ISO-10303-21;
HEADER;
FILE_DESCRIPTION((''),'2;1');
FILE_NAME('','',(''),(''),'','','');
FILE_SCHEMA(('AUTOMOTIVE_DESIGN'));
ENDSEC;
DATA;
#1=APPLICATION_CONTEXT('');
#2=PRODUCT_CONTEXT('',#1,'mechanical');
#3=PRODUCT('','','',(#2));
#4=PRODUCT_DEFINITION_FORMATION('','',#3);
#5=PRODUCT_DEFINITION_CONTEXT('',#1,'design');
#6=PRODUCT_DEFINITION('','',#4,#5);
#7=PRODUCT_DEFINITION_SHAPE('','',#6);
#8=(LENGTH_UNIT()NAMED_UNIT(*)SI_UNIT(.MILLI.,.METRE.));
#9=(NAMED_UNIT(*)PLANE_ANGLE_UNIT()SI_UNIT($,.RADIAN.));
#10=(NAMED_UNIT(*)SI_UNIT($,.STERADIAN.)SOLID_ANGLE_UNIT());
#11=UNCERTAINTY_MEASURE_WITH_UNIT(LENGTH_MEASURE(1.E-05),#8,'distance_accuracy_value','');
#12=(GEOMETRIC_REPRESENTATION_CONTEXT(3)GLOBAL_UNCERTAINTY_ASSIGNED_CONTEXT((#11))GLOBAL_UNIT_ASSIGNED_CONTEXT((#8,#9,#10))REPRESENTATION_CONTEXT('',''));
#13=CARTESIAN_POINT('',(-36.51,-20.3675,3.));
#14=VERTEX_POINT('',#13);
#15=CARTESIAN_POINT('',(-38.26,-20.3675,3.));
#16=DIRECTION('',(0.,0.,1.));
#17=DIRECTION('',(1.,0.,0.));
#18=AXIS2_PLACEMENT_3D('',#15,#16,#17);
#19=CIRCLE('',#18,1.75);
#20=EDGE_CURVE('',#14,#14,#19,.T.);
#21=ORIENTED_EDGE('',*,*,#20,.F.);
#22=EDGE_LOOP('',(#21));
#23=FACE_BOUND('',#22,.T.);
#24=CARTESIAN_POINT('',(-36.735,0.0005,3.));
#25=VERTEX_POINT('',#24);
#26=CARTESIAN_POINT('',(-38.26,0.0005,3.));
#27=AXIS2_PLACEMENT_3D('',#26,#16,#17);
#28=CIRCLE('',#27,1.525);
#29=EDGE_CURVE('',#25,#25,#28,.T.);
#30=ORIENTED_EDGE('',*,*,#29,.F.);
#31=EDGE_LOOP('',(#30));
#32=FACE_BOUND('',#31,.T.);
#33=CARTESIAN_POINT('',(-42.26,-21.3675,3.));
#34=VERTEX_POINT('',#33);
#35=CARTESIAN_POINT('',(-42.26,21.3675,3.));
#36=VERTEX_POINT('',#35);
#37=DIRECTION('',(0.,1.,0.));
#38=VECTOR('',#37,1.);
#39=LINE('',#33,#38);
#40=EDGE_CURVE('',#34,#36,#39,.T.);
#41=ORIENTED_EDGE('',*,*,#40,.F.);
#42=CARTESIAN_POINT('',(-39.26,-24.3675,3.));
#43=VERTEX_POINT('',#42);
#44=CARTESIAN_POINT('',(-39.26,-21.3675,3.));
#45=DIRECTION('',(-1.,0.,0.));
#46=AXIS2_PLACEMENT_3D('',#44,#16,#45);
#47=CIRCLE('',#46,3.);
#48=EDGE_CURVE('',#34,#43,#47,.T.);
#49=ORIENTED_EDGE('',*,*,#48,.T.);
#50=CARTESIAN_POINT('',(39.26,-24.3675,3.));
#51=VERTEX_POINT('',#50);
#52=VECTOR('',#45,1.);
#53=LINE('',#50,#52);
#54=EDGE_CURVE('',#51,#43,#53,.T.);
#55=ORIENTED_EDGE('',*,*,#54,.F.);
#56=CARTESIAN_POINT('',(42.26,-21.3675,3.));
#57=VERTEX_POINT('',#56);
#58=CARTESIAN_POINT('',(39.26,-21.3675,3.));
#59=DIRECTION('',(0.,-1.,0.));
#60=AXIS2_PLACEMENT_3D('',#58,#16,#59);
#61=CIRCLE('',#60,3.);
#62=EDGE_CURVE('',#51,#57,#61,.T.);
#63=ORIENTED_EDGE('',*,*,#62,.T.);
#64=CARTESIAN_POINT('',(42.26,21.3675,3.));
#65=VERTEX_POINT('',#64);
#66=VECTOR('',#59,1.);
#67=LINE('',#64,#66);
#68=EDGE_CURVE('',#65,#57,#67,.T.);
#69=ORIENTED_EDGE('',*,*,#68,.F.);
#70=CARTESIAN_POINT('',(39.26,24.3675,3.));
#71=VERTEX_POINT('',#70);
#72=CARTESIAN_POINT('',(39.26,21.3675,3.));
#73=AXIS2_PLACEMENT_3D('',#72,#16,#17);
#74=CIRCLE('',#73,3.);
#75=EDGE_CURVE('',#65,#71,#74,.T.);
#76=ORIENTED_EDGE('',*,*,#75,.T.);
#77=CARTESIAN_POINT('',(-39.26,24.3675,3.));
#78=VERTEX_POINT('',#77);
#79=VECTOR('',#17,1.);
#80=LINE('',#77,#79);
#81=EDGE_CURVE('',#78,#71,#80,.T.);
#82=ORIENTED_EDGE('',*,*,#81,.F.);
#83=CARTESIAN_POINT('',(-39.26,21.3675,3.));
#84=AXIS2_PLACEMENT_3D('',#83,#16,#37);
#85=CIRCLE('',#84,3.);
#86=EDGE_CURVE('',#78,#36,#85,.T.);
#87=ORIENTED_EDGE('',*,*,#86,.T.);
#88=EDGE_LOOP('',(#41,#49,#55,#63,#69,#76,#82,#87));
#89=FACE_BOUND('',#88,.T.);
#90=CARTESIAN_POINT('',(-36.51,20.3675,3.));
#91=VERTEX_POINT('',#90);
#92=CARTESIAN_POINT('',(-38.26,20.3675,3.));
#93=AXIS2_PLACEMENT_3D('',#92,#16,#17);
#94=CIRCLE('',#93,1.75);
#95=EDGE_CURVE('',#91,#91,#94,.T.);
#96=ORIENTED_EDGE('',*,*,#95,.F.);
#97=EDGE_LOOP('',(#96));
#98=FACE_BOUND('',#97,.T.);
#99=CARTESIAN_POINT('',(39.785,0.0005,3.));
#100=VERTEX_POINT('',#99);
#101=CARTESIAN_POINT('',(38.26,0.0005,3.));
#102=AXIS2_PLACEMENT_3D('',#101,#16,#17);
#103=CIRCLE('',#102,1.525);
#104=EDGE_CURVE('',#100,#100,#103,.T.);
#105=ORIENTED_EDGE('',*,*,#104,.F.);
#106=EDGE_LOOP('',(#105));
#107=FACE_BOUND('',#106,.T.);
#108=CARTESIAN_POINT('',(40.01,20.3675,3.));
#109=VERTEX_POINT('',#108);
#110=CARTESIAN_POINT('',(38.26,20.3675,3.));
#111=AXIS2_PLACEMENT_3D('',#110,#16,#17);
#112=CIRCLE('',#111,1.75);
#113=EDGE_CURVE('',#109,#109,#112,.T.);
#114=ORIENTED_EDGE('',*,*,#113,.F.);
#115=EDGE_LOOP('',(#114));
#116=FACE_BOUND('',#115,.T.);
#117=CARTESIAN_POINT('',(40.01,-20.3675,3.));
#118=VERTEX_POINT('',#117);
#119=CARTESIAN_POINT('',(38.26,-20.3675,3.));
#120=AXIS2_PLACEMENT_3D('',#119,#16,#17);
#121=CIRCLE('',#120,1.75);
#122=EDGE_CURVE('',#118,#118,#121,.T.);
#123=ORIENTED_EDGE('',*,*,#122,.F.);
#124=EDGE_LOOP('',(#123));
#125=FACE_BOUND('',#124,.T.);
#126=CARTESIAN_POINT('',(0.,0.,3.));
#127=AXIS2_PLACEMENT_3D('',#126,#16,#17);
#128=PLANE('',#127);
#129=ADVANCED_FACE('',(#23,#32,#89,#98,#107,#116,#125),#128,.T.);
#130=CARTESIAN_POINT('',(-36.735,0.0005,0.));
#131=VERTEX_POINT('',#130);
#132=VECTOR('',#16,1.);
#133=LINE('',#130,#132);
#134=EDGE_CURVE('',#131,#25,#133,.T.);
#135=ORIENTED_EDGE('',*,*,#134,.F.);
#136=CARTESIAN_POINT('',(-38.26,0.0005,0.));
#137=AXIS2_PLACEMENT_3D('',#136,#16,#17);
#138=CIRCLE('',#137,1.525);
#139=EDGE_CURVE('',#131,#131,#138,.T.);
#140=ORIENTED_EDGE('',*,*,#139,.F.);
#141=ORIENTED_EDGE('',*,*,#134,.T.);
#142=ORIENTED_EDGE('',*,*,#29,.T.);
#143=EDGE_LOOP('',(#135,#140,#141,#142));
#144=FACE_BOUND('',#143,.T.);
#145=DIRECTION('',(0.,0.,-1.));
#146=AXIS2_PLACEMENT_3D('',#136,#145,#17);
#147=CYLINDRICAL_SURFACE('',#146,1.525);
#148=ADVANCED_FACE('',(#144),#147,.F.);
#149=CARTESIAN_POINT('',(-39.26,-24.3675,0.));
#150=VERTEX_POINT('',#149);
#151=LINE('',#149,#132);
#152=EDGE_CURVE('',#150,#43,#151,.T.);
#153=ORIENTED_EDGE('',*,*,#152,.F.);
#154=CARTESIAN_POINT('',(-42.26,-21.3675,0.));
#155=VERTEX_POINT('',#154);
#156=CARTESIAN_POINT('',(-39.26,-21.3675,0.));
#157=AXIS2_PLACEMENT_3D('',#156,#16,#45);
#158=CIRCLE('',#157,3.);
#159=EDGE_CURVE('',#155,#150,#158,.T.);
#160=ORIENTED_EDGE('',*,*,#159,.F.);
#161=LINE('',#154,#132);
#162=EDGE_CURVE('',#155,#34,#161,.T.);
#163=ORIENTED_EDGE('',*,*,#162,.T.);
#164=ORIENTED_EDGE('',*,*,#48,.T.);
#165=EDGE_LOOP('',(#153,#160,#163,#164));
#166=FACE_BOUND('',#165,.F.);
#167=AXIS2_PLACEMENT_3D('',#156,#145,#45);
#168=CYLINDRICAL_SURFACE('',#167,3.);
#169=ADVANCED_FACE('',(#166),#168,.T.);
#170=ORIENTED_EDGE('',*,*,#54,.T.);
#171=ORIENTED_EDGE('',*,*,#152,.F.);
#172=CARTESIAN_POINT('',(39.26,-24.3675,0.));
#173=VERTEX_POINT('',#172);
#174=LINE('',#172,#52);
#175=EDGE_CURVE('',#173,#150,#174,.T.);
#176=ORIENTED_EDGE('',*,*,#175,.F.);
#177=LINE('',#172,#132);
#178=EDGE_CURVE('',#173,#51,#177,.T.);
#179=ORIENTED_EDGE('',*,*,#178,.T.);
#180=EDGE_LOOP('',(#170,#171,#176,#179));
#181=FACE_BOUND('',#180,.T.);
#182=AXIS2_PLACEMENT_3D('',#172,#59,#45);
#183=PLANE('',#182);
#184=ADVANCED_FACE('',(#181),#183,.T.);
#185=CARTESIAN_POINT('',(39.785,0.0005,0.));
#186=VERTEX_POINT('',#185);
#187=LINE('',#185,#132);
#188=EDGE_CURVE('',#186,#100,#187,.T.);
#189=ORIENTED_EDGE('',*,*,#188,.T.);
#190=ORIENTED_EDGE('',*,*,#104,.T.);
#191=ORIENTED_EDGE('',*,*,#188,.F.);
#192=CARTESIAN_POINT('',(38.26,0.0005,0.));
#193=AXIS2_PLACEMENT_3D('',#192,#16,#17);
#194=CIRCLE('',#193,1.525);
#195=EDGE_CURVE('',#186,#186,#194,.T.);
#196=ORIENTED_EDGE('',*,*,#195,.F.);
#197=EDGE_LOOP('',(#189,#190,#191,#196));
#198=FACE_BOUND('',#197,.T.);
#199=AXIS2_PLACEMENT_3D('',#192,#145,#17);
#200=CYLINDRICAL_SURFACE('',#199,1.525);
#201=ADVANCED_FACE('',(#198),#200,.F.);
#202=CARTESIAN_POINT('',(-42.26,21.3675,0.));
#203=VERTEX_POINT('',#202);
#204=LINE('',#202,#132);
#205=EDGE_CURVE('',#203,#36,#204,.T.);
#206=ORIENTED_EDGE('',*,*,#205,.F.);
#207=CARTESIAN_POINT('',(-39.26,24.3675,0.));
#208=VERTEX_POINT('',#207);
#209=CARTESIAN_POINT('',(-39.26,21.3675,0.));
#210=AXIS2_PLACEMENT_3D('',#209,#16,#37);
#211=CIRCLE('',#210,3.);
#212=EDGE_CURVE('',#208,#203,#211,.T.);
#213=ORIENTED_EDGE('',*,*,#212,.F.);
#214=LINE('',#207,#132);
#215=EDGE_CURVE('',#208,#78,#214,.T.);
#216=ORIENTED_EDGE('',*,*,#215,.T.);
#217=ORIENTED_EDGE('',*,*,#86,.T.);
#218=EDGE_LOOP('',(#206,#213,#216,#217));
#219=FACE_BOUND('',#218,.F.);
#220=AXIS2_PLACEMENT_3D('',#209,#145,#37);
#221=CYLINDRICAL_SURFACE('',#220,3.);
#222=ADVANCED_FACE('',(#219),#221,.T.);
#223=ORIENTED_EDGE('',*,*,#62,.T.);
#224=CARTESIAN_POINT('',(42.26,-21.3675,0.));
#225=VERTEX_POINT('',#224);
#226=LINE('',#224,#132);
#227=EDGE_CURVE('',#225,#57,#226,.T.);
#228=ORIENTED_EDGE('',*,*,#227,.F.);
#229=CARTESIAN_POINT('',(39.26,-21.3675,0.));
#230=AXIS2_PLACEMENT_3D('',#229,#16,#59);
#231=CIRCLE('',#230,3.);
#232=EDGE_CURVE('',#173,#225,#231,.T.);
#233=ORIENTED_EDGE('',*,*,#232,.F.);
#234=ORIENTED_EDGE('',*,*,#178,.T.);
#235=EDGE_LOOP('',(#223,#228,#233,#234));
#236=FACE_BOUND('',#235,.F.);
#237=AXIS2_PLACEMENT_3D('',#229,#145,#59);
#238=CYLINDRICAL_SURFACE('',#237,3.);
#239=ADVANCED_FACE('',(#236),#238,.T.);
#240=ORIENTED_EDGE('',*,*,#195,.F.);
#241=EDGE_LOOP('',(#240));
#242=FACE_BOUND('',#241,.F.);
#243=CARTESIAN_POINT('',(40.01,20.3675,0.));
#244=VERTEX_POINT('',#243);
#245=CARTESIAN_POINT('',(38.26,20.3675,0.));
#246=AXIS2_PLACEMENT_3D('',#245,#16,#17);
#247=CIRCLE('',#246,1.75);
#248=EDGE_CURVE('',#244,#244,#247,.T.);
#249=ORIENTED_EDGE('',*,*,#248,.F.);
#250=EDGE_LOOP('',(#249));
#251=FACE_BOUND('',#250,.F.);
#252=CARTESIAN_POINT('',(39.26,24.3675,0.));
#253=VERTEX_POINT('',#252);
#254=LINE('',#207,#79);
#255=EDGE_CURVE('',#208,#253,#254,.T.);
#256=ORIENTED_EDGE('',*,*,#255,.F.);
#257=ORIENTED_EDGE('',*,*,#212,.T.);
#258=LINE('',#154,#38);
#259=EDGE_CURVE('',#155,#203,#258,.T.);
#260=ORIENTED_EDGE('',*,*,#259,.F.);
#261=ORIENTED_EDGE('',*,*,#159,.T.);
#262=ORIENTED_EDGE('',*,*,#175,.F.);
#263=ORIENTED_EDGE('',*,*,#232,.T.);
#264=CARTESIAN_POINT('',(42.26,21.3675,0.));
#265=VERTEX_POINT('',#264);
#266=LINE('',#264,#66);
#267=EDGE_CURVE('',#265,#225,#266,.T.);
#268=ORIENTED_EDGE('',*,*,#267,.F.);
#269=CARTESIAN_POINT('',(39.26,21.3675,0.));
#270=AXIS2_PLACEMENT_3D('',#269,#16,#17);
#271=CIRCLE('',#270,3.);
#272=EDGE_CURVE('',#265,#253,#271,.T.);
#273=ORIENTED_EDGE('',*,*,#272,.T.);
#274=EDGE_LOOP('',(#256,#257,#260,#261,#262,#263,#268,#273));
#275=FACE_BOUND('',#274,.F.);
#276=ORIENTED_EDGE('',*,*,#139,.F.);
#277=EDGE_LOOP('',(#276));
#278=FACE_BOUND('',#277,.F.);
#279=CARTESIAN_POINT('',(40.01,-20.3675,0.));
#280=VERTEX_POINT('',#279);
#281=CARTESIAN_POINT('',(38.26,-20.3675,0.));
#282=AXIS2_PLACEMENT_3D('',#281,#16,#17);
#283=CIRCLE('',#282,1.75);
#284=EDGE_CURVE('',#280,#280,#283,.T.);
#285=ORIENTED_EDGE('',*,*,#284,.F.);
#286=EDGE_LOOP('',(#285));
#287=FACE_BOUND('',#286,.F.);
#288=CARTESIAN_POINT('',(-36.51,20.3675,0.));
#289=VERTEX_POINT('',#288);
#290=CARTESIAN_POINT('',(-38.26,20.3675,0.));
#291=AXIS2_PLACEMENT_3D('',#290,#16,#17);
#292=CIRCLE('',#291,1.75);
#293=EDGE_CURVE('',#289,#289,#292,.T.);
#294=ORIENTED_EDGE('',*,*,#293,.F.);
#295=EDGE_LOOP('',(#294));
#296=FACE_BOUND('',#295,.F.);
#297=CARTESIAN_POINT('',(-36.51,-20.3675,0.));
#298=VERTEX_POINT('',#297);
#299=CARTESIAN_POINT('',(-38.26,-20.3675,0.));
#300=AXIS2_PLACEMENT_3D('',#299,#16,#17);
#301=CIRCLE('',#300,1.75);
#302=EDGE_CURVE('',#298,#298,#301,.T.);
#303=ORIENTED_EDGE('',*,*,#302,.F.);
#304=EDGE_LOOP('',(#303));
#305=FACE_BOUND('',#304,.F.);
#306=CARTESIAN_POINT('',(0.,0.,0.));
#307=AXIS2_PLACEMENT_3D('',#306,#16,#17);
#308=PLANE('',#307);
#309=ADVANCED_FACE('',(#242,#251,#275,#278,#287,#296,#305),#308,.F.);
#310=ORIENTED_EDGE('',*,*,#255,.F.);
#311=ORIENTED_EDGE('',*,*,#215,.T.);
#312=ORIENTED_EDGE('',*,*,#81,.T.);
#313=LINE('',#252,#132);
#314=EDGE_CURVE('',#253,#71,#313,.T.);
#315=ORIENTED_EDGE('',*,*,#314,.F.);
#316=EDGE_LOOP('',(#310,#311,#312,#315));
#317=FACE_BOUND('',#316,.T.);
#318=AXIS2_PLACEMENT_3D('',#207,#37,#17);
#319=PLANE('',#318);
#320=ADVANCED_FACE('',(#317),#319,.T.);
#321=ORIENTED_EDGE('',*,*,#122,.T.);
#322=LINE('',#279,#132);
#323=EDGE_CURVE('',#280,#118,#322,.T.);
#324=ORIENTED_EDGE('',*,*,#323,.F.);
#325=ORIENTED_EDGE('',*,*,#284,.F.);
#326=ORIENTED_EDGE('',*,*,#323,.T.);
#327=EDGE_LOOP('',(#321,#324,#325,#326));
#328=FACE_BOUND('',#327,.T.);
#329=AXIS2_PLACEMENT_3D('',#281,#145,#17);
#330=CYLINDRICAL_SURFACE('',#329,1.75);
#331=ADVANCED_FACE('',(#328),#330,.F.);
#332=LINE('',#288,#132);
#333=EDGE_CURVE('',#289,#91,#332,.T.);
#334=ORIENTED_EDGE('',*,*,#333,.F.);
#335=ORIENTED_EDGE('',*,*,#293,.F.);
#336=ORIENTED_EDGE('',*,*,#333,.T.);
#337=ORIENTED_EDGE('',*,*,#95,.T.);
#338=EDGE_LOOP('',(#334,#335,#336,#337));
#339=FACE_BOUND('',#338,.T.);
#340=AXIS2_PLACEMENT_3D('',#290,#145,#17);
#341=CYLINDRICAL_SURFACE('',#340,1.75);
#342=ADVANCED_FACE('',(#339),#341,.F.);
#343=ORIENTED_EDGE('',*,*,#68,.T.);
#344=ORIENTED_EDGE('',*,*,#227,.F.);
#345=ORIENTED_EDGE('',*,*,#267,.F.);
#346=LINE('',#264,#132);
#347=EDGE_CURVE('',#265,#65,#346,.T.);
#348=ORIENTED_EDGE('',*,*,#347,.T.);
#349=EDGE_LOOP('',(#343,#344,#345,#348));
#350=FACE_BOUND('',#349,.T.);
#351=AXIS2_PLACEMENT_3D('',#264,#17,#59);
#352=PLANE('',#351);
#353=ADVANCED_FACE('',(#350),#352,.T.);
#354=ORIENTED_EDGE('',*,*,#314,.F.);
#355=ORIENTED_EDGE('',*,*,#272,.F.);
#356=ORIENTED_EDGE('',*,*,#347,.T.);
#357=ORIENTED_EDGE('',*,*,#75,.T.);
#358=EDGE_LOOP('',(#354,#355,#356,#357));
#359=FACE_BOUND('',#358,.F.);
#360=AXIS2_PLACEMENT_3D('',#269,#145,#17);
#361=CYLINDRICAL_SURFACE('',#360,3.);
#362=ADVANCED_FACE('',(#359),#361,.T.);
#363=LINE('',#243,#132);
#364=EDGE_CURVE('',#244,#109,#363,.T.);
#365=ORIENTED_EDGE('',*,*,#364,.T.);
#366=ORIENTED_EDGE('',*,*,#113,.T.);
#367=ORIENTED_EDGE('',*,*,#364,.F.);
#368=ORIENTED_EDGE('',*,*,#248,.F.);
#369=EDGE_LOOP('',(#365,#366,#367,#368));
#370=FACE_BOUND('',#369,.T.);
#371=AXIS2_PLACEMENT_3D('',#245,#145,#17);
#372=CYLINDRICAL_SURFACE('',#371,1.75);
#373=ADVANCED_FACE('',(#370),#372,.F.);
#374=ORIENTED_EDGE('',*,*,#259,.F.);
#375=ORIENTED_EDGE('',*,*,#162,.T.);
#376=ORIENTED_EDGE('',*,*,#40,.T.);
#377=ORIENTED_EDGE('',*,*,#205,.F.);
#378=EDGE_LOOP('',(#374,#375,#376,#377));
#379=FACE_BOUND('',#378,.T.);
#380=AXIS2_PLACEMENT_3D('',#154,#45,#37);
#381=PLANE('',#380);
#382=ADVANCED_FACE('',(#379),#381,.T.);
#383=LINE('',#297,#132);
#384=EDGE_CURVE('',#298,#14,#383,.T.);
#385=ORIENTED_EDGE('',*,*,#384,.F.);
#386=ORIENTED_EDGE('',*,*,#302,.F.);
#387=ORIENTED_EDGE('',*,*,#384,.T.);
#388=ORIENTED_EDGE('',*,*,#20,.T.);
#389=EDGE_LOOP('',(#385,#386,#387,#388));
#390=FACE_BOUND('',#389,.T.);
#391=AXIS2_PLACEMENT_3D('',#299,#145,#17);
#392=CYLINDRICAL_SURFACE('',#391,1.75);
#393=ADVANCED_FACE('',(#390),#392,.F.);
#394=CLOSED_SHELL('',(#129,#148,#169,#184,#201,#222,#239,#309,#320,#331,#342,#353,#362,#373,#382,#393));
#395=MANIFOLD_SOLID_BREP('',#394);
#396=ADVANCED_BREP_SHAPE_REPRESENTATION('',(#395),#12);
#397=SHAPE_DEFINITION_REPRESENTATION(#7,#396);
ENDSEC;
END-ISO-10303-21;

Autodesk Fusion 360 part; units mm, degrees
sketch "Sketch1" plane through (0, 0, 0) normal (0, 0, 1) x (1, 0, 0)
  circle A0 centre (38.26, 20.3675) radius 1.75
  circle A1 centre (38.26, 0.0005) radius 1.525
  circle A2 centre (-38.26, -20.3675) radius 1.75
  circle A3 centre (-38.26, 20.3675) radius 1.75
  arc A4 (-39.26, 24.3675) -> (-42.26, 21.3675) centre (-39.26, 21.3675) ccw
  line L0 (-39.26, 24.3675) -> (39.26, 24.3675)
  line L1 (-42.26, -21.3675) -> (-42.26, 21.3675)
  circle A5 centre (-38.26, 0.0005) radius 1.525
  arc A6 (42.26, 21.3675) -> (39.26, 24.3675) centre (39.26, 21.3675) ccw
  line L2 (42.26, 21.3675) -> (42.26, -21.3675)
  arc A7 (-42.26, -21.3675) -> (-39.26, -24.3675) centre (-39.26, -21.3675) ccw
  line L3 (39.26, -24.3675) -> (-39.26, -24.3675)
  arc A8 (39.26, -24.3675) -> (42.26, -21.3675) centre (39.26, -21.3675) ccw
  circle A9 centre (38.26, -20.3675) radius 1.75
  point P0 (-42.26, -24.3675)
  dimension "d32" = 3.05
  dimension "d33" = 3.05
  dimension "d34" = 20.368
  dimension "d35" = 3
  dimension "d36" = 3
  dimension "d37" = 3
  dimension "d38" = 3
  dimension "d41" = 1.4142
  dimension "d42" = 4
  dimension "d45" = 4
  dimension "d51" = 20.368
  dimension "d52" = 48.735
  dimension "d55" = 4
  dimension "d56" = 4
  dimension "d59" = 3.5
  dimension "d62" = 84.52
extrude "Extrude8" add sketch "Sketch1" along normal blind 3
extrude "Extrude1" [suppressed]
extrude "Extrude2" [suppressed]
extrude "Extrude3" [suppressed]
extrude "Extrude4" [suppressed]
extrude "Extrude5" [suppressed]
extrude "Extrude6" [suppressed]
extrude "Extrude7" [suppressed]
equation "d41 = ( sqrt(2) ) * 1 mm"
